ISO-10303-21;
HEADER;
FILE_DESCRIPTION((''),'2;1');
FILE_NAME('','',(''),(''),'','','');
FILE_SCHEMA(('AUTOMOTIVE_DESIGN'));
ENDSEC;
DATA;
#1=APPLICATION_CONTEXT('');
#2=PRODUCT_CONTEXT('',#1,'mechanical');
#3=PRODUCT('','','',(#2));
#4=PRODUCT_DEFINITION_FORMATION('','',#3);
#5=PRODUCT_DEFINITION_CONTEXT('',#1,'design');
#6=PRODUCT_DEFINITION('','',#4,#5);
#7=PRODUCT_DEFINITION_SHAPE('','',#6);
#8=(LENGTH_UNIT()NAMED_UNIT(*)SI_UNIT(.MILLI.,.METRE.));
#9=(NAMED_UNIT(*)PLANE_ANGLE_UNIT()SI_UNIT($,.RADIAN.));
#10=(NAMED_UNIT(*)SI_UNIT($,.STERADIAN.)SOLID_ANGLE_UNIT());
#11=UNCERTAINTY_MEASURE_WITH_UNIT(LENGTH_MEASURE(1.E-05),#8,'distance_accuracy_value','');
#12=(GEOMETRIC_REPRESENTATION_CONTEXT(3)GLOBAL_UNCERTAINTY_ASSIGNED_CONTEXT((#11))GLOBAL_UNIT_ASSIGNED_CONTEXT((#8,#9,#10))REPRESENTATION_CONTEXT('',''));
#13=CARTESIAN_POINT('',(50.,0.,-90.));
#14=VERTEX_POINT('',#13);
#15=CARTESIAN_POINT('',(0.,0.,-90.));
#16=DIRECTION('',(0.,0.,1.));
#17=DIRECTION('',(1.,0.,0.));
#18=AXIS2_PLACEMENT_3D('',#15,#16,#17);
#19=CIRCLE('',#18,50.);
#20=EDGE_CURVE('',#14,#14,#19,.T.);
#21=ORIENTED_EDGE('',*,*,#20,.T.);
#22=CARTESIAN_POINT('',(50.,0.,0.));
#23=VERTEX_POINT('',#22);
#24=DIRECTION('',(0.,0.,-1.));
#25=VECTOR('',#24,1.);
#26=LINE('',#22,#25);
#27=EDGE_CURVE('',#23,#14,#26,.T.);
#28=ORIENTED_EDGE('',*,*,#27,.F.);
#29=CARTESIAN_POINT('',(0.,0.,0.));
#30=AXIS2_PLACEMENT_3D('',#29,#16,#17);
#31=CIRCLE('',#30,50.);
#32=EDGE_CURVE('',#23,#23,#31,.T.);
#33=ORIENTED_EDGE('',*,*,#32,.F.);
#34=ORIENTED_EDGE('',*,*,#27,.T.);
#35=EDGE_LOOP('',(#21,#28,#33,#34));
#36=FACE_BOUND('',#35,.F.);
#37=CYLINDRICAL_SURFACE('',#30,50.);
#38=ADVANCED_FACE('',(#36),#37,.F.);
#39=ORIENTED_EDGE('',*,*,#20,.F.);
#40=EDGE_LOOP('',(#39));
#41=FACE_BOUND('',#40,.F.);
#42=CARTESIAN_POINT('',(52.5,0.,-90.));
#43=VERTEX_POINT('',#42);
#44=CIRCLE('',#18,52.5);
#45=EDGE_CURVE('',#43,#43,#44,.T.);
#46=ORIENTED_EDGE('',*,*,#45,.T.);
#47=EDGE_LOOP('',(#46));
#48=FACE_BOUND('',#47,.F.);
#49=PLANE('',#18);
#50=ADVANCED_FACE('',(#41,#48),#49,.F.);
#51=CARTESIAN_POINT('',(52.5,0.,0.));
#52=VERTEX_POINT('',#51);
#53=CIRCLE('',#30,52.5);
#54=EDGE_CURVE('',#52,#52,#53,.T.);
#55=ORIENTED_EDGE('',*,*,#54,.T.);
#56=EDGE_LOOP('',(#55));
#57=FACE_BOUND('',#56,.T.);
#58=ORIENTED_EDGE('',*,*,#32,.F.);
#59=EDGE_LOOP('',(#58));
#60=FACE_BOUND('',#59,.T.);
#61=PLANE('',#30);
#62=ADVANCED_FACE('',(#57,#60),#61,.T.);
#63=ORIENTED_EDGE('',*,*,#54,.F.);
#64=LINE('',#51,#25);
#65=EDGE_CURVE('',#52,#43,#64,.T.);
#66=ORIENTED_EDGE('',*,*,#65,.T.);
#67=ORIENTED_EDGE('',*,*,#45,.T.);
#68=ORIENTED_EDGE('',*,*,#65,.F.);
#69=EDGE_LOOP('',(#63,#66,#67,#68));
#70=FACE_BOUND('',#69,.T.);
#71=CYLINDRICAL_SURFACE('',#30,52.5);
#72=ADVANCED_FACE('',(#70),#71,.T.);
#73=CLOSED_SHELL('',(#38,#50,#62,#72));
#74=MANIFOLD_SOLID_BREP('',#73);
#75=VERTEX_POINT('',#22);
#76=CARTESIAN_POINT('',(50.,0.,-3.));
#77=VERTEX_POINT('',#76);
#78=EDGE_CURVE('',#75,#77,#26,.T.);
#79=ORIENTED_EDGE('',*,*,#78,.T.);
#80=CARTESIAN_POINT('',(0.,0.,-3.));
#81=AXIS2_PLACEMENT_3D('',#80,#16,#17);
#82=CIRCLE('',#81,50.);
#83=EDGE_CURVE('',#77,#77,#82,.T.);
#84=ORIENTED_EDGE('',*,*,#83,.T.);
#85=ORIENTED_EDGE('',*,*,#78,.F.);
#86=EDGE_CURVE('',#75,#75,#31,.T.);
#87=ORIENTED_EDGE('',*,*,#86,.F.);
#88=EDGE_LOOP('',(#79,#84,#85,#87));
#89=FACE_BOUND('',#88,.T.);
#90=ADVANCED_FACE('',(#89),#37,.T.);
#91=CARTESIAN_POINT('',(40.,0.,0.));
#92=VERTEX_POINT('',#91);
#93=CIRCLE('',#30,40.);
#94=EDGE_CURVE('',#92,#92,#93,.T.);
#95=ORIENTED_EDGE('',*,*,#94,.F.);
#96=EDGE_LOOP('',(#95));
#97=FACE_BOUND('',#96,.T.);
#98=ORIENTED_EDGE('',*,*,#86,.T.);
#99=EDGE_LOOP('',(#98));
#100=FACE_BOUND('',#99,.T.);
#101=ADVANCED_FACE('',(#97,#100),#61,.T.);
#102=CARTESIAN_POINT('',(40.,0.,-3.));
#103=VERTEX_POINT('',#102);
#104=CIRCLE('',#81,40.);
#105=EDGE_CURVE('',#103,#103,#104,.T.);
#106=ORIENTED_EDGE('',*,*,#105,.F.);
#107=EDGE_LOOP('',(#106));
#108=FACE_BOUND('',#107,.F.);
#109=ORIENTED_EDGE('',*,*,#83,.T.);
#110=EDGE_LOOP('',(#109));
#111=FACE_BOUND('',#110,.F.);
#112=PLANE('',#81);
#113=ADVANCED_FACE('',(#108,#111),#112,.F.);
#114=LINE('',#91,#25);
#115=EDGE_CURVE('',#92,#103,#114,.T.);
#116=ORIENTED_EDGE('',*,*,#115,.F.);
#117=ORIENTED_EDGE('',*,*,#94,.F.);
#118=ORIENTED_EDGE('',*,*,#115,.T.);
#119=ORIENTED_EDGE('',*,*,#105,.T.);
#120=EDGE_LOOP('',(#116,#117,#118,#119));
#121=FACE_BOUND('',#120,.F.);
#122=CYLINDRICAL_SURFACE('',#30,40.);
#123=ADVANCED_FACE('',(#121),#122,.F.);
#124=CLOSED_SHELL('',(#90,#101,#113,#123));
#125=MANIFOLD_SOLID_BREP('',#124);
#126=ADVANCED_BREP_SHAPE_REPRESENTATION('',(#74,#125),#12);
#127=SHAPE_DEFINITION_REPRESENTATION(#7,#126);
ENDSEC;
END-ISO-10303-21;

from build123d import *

# Parameters (mm, degrees)
F0_R     = 52.5
F0_R_2   = 50
F1_DEPTH = 90
F2_R     = 50
F2_R_2   = 40
F3_DEPTH = 3


with BuildPart() as f1:
    # F0 (on Top) → F1 (new body)
    with BuildSketch(Plane.XY):
        Circle(F0_R)
        Circle(F0_R_2, mode=Mode.SUBTRACT)
    extrude(amount=-F1_DEPTH)


with BuildPart() as f3:
    # F2 (on Top) → F3 (new body)
    with BuildSketch(Plane.XY):
        Circle(F2_R)
        Circle(F2_R_2, mode=Mode.SUBTRACT)
    extrude(amount=-F3_DEPTH)


solid = Compound([f1.part, f3.part])
